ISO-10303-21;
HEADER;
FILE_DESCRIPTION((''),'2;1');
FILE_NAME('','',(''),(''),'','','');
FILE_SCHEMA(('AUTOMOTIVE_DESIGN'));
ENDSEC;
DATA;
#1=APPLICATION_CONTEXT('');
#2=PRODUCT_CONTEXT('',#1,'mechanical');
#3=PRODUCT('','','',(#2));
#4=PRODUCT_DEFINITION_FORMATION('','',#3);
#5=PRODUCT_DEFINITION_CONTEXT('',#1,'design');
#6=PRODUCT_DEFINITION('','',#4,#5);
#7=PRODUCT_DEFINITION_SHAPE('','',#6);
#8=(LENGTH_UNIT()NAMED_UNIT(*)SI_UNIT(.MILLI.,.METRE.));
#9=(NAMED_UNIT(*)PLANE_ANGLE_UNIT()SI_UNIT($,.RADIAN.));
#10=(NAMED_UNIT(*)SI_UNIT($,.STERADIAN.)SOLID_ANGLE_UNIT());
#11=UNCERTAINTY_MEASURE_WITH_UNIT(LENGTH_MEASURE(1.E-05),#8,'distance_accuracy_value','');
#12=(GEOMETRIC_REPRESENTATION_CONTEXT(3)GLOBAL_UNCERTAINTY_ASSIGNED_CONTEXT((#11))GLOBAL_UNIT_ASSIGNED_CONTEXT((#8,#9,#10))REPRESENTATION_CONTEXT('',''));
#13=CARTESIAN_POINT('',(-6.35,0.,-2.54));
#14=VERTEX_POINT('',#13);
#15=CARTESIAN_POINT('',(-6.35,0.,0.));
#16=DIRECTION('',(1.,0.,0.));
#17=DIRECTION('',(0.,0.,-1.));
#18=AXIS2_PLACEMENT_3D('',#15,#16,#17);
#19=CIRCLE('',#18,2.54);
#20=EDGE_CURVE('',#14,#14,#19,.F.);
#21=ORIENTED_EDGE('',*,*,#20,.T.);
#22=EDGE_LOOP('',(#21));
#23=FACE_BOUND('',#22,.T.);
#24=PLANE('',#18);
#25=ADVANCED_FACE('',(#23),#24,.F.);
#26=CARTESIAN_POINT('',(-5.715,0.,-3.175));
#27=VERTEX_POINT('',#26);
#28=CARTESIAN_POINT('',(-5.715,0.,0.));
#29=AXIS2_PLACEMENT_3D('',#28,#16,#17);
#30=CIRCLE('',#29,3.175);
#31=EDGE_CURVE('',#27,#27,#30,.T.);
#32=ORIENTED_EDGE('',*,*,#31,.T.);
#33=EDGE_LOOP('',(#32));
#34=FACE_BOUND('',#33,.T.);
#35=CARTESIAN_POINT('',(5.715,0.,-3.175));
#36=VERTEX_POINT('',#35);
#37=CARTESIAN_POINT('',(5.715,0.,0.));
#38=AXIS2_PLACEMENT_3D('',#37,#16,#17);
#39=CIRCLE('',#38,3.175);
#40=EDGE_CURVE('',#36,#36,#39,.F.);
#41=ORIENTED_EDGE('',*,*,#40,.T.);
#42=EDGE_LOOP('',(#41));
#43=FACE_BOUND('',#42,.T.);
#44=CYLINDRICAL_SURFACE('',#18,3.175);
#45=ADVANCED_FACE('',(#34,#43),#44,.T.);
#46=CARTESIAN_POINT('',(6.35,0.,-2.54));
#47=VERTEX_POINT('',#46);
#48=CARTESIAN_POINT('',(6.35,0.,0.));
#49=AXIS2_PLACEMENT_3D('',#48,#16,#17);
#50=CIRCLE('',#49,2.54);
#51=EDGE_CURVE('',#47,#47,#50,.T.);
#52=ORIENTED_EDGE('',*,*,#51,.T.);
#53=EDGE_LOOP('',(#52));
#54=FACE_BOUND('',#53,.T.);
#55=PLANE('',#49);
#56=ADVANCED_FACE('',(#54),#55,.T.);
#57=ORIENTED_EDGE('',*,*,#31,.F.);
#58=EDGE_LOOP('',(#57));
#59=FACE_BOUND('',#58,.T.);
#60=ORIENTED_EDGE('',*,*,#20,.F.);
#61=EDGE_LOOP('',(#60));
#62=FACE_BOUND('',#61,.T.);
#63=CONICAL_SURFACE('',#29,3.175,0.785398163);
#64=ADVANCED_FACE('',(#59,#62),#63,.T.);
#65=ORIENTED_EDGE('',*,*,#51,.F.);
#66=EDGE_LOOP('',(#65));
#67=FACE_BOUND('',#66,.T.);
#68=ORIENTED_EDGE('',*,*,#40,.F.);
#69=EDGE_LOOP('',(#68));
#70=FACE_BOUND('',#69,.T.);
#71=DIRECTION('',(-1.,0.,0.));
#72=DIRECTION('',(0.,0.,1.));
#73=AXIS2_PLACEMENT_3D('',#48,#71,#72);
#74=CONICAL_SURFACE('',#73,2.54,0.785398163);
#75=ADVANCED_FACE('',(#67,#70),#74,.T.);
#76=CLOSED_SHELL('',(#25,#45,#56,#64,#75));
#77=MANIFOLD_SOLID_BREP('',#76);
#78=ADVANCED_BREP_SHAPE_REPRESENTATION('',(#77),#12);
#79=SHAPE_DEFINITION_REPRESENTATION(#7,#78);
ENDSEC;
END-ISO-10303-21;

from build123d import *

# Parameters (mm, degrees)
SKETCH2_R           = 3.175
EXTRUDE1_DEPTH      = 6.35
EXTRUDE1_DEPTH_BACK = 6.35
CHAMFER1_SIZE       = 0.635


with BuildPart() as part:
    # Sketch2 → Extrude1 (new body, two sides)
    with BuildSketch(Plane(origin=(0, 0, 0), x_dir=(0, 0, -1), z_dir=(1, 0, 0))) as extrude1_sk:
        Circle(SKETCH2_R)
    extrude(amount=EXTRUDE1_DEPTH)
    extrude(extrude1_sk.sketch, amount=-EXTRUDE1_DEPTH_BACK)

    # Chamfer1
    chamfer1_edges = [part.edges().sort_by_distance(p)[0] for p in [
        (-6.35, 0, 3.175),
        (6.35, 0, 3.175),
    ]]
    chamfer(chamfer1_edges, length=CHAMFER1_SIZE)


solid = part.part
